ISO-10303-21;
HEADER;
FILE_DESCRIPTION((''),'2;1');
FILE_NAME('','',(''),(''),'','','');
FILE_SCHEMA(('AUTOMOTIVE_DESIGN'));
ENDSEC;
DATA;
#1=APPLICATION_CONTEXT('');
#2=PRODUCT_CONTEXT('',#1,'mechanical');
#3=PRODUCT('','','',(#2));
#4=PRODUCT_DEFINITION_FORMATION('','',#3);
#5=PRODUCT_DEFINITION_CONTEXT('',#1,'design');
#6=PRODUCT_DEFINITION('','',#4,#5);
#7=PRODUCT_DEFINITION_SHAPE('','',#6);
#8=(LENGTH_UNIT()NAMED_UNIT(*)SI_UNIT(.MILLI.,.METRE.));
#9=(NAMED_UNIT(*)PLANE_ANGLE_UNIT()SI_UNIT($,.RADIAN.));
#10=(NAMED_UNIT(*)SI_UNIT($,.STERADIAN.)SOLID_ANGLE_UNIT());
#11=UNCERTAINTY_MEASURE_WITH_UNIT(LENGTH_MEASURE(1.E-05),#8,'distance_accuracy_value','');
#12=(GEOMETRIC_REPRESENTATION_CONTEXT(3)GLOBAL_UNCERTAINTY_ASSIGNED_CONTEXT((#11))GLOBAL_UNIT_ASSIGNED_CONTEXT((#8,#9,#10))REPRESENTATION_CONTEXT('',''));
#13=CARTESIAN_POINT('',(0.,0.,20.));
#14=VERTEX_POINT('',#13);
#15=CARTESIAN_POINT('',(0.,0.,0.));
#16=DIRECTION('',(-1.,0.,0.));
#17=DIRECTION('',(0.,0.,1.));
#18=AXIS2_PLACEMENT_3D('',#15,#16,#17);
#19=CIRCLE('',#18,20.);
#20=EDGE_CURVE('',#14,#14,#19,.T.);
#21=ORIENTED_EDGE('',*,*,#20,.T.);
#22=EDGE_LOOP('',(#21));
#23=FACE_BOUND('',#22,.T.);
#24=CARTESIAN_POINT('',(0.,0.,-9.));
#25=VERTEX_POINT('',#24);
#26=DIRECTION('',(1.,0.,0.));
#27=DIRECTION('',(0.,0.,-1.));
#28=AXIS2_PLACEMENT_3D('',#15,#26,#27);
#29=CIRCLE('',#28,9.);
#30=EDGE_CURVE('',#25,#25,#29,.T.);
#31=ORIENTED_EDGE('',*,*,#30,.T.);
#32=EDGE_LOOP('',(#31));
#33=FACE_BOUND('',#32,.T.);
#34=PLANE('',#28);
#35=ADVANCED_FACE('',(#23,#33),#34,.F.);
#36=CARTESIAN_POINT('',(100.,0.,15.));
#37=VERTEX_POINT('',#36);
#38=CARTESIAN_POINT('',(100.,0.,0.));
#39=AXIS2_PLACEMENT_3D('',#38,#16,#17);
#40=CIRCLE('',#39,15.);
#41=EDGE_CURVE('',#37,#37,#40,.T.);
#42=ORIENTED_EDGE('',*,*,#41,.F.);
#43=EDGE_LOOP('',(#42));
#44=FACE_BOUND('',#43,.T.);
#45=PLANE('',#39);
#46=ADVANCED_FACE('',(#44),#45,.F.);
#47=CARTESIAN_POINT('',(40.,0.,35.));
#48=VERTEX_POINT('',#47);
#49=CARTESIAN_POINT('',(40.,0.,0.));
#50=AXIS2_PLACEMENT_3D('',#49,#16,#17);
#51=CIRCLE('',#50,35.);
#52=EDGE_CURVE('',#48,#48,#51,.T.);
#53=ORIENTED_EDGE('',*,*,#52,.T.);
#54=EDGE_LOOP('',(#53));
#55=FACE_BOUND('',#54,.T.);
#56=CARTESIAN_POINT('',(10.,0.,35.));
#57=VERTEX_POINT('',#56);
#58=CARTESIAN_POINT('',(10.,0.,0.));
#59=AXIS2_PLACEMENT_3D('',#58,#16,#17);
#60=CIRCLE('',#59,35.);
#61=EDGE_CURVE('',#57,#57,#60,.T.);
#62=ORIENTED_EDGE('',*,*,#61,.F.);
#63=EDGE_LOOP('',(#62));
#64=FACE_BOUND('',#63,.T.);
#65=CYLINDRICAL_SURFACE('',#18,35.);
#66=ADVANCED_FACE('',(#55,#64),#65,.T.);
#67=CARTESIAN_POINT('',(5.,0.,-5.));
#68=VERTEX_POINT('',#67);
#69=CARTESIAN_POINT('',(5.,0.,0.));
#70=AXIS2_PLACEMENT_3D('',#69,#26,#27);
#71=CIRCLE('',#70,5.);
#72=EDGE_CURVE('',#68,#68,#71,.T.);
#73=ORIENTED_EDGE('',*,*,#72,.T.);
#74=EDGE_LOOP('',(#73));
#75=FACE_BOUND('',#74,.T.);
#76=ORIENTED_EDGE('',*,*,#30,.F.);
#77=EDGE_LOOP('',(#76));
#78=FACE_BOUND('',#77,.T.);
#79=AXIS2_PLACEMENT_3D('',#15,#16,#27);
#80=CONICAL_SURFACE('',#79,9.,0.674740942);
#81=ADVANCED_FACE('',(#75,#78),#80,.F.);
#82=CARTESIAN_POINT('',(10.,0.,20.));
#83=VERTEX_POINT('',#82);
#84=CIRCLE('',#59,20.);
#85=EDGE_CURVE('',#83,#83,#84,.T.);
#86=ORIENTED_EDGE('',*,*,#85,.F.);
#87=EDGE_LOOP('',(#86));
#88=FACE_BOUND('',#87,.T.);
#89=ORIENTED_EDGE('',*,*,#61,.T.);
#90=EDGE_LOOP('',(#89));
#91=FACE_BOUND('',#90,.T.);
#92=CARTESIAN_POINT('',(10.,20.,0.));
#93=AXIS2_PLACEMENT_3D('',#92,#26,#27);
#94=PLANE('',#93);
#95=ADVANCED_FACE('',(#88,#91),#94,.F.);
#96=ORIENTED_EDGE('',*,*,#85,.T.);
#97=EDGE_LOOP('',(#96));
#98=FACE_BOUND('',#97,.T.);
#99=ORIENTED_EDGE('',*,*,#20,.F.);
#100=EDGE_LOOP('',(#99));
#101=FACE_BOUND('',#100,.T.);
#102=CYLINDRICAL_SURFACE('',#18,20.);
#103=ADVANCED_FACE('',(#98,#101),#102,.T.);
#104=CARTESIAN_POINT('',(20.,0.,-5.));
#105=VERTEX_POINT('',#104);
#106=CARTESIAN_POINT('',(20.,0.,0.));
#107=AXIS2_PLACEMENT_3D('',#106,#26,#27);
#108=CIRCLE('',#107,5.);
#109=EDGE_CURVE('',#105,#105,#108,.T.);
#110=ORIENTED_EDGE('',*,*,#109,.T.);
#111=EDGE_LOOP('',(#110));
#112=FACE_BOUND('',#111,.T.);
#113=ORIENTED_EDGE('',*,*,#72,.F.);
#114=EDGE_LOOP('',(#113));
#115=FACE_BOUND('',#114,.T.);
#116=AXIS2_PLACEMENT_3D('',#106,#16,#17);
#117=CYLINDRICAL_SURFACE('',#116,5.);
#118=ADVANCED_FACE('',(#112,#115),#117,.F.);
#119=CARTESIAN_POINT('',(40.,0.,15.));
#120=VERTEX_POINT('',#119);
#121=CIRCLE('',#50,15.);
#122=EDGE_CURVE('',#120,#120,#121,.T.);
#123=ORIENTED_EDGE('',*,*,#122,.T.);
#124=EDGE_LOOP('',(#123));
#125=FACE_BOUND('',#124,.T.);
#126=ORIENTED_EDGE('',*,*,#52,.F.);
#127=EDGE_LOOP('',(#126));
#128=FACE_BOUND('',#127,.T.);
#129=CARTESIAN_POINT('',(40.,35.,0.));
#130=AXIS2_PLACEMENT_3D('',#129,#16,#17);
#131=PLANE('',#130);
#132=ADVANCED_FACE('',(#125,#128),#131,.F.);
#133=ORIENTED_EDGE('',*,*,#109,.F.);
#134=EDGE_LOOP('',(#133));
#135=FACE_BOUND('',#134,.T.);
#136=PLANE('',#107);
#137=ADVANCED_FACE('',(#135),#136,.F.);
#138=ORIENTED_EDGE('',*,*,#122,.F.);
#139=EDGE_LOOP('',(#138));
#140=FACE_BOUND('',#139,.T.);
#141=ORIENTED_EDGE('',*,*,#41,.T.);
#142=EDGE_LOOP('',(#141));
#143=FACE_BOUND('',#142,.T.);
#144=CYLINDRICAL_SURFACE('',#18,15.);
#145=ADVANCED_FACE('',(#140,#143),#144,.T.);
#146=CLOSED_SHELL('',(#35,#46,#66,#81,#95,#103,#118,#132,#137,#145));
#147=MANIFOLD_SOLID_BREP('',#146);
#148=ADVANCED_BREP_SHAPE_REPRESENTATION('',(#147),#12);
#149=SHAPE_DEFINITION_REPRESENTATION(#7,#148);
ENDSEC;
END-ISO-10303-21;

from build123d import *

# Parameters (mm, degrees)
SKETCH_2_R          = 5
CUT_EXTRUDE_1_DEPTH = 20
SKETCH_3_R          = 9
CUT_EXTRUDE_2_DEPTH = 5
CUT_EXTRUDE_2_TAPER = 38.659808254


with BuildPart() as part:
    # Эскиз1 → Повернуть1 (revolve)
    with BuildSketch(Plane.XY, mode=Mode.PRIVATE) as revolve_1_sk:
        Polygon((0, 0), (100, 0), (100, 15), (40, 15), (40, 35), (10, 35), (10, 20), (0, 20), align=None)
    revolve(revolve_1_sk.sketch.rotate(Axis((0, 0, 0), (1, 0, 0)), 90), axis=Axis((0, 0, 0), (1, 0, 0)))

    # Эскиз2 → Вырез-Вытянуть1 (cut)
    with BuildSketch(Plane(origin=(0, 0, 0), x_dir=(0, 0, -1), z_dir=(1, 0, 0))):
        Circle(SKETCH_2_R)
    extrude(amount=CUT_EXTRUDE_1_DEPTH, mode=Mode.SUBTRACT)

    # Эскиз3 → Вырез-Вытянуть2 (cut)
    with BuildSketch(Plane(origin=(0, 0, 0), x_dir=(0, 0, -1), z_dir=(1, 0, 0))):
        Circle(SKETCH_3_R)
    extrude(amount=CUT_EXTRUDE_2_DEPTH, taper=CUT_EXTRUDE_2_TAPER, mode=Mode.SUBTRACT)


solid = part.part
